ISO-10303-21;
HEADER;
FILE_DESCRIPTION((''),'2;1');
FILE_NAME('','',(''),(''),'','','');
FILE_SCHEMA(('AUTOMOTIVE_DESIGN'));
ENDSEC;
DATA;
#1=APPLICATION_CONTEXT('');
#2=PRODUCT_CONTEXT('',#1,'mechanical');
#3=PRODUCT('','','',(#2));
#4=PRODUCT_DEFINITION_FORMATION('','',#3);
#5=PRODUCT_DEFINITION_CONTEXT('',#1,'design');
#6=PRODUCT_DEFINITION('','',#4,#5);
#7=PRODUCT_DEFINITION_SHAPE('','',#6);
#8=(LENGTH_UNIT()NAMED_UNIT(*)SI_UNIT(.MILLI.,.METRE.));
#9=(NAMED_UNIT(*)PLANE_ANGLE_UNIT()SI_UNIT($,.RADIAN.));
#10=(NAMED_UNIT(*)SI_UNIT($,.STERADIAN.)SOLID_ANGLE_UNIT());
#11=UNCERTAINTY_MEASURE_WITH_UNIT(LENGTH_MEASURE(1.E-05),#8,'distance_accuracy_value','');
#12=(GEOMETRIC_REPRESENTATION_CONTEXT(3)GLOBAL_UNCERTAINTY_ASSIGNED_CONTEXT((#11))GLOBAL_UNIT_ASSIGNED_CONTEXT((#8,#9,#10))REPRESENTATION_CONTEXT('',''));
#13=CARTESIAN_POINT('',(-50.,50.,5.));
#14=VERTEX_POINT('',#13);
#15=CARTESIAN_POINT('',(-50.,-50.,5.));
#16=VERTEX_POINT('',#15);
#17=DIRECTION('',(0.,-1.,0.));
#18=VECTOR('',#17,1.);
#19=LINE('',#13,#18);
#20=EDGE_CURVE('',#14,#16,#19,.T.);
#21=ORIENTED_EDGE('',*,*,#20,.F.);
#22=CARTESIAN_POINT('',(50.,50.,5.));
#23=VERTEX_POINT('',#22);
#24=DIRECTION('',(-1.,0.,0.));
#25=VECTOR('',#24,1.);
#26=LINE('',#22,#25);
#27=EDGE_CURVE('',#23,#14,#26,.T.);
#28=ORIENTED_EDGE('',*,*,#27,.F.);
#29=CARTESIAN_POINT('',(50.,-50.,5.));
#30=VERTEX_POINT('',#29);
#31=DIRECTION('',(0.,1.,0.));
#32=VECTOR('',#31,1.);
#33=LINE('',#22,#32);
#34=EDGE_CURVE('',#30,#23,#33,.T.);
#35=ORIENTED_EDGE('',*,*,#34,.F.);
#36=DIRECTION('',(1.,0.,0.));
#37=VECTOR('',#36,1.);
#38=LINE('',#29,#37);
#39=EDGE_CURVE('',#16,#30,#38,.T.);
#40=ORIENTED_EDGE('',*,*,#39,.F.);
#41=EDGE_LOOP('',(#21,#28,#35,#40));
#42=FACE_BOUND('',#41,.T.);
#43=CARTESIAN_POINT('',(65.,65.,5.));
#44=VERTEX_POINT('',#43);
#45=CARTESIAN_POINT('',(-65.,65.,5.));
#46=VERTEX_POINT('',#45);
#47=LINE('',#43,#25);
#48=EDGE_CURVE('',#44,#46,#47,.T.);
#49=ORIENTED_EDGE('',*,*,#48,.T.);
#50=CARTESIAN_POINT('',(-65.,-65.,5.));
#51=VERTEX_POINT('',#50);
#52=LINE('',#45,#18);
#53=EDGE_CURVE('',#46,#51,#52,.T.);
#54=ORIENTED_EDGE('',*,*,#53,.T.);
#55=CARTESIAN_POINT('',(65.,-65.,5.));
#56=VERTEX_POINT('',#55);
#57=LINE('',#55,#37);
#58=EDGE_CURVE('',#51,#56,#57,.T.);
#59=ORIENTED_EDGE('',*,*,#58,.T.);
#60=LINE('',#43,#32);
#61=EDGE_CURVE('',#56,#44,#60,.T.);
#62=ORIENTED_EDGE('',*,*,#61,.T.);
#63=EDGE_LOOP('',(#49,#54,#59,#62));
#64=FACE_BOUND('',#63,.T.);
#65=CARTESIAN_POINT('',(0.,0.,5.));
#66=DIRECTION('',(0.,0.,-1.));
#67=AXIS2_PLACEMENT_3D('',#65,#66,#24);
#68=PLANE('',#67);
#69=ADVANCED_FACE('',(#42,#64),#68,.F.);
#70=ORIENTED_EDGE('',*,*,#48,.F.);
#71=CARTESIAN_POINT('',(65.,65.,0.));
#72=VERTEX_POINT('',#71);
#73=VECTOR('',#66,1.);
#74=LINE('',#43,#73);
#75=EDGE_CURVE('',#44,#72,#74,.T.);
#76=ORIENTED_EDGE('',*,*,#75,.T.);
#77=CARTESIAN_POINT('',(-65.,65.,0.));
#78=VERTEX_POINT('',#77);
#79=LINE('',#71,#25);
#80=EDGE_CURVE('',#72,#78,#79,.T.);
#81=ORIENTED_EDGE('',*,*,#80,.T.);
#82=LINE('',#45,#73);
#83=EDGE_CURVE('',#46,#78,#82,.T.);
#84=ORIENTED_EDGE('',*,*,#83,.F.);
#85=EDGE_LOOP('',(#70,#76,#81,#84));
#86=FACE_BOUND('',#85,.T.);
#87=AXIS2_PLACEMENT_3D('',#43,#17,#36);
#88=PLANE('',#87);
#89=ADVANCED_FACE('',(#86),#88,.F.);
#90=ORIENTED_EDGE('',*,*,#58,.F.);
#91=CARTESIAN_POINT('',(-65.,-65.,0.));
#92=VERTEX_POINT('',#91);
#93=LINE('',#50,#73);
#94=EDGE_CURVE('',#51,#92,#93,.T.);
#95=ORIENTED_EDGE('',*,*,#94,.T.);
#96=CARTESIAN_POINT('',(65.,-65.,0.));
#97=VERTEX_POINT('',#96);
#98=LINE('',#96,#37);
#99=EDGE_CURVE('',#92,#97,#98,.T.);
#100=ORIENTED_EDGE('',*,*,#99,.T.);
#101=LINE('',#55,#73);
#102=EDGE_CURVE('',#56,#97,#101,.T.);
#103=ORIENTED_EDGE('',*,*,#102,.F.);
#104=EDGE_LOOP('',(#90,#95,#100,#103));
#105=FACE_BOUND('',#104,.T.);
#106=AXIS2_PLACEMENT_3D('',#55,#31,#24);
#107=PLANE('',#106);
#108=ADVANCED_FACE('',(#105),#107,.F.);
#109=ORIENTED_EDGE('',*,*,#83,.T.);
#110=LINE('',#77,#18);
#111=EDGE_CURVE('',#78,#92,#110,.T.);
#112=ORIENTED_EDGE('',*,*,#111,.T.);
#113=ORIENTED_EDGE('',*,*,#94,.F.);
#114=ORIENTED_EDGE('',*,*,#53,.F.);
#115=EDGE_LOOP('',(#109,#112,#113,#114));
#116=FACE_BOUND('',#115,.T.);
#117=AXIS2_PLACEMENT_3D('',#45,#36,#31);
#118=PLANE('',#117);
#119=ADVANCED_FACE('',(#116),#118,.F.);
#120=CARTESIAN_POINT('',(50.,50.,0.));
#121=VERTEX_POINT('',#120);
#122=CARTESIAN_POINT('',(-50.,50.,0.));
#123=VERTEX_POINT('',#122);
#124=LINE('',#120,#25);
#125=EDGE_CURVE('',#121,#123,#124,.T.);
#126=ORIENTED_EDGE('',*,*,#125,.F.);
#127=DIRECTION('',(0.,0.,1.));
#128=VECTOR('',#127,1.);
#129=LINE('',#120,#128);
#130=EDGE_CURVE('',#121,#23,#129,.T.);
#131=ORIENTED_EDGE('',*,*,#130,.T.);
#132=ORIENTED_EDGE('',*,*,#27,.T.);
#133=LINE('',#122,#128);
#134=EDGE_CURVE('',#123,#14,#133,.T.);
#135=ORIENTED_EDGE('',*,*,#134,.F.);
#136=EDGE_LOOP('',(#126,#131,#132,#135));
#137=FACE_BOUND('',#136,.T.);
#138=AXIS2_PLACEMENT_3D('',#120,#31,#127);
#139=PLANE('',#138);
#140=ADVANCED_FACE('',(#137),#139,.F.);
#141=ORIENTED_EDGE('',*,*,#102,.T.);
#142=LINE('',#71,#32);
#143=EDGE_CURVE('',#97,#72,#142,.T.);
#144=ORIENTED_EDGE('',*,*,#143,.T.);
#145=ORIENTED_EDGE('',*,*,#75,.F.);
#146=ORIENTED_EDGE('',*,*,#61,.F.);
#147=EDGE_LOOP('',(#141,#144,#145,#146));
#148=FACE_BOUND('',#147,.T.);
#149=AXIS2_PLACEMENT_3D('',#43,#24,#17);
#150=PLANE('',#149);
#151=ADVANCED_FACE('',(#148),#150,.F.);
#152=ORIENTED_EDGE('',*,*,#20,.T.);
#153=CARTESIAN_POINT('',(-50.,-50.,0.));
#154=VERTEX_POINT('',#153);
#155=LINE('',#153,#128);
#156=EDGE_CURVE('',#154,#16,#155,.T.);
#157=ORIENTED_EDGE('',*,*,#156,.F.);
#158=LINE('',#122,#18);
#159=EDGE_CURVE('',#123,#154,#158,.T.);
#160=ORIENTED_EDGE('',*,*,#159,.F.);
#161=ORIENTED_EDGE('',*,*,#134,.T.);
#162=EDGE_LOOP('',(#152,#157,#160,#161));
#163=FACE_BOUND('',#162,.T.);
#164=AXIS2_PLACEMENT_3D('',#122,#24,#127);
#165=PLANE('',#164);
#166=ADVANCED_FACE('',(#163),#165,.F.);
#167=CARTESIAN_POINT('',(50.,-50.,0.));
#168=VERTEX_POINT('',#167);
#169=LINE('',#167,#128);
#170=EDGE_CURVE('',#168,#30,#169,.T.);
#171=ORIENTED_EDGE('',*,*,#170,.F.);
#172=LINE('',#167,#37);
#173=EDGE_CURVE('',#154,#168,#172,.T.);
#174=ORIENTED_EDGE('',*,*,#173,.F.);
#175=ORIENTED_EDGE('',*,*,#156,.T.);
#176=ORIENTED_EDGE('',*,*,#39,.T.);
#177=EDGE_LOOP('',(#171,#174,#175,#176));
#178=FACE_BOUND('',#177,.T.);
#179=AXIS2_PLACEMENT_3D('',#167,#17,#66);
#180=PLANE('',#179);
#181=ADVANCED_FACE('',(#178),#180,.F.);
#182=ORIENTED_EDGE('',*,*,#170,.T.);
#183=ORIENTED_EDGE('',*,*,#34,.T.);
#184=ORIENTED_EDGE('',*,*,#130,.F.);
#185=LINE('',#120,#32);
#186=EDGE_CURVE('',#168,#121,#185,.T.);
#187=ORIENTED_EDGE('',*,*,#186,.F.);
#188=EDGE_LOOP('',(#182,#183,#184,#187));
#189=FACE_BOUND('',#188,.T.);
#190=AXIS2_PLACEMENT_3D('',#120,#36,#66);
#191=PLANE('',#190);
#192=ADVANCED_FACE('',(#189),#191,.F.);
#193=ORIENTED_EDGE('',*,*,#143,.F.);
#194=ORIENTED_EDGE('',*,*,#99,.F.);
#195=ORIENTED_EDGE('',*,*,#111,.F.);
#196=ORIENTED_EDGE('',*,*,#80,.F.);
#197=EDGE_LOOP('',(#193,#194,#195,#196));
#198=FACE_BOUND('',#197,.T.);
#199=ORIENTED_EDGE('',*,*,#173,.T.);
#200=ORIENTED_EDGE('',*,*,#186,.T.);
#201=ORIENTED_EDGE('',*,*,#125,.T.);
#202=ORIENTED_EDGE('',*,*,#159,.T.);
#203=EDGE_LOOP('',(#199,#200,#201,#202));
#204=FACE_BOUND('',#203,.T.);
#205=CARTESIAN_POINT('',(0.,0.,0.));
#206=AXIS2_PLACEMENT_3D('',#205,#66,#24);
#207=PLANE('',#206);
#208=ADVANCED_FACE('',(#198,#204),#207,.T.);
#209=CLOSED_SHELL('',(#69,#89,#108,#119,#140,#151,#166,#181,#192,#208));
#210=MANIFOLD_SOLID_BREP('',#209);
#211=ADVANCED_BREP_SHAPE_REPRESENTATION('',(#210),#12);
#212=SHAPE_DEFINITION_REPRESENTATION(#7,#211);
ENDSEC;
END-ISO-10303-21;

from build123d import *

# Parameters (mm, degrees)
SCHIZZO1_W                   = 130
SCHIZZO1_H                   = 130
ESTRUSIONE_ESTRUSIONE1_DEPTH = 5
SCHIZZO2_W                   = 100
SCHIZZO2_H                   = 100
TAGLIO_ESTRUSIONE1_DEPTH     = 5


with BuildPart() as part:
    # Schizzo1 → Estrusione-Estrusione1 (new body)
    with BuildSketch(Plane.XY):
        Rectangle(SCHIZZO1_W, SCHIZZO1_H)
    extrude(amount=ESTRUSIONE_ESTRUSIONE1_DEPTH)

    # Schizzo2 → Taglio-Estrusione1 (cut)
    with BuildSketch(Plane.XY.offset(5)):
        Rectangle(SCHIZZO2_W, SCHIZZO2_H)
    extrude(amount=-TAGLIO_ESTRUSIONE1_DEPTH, mode=Mode.SUBTRACT)


solid = part.part
